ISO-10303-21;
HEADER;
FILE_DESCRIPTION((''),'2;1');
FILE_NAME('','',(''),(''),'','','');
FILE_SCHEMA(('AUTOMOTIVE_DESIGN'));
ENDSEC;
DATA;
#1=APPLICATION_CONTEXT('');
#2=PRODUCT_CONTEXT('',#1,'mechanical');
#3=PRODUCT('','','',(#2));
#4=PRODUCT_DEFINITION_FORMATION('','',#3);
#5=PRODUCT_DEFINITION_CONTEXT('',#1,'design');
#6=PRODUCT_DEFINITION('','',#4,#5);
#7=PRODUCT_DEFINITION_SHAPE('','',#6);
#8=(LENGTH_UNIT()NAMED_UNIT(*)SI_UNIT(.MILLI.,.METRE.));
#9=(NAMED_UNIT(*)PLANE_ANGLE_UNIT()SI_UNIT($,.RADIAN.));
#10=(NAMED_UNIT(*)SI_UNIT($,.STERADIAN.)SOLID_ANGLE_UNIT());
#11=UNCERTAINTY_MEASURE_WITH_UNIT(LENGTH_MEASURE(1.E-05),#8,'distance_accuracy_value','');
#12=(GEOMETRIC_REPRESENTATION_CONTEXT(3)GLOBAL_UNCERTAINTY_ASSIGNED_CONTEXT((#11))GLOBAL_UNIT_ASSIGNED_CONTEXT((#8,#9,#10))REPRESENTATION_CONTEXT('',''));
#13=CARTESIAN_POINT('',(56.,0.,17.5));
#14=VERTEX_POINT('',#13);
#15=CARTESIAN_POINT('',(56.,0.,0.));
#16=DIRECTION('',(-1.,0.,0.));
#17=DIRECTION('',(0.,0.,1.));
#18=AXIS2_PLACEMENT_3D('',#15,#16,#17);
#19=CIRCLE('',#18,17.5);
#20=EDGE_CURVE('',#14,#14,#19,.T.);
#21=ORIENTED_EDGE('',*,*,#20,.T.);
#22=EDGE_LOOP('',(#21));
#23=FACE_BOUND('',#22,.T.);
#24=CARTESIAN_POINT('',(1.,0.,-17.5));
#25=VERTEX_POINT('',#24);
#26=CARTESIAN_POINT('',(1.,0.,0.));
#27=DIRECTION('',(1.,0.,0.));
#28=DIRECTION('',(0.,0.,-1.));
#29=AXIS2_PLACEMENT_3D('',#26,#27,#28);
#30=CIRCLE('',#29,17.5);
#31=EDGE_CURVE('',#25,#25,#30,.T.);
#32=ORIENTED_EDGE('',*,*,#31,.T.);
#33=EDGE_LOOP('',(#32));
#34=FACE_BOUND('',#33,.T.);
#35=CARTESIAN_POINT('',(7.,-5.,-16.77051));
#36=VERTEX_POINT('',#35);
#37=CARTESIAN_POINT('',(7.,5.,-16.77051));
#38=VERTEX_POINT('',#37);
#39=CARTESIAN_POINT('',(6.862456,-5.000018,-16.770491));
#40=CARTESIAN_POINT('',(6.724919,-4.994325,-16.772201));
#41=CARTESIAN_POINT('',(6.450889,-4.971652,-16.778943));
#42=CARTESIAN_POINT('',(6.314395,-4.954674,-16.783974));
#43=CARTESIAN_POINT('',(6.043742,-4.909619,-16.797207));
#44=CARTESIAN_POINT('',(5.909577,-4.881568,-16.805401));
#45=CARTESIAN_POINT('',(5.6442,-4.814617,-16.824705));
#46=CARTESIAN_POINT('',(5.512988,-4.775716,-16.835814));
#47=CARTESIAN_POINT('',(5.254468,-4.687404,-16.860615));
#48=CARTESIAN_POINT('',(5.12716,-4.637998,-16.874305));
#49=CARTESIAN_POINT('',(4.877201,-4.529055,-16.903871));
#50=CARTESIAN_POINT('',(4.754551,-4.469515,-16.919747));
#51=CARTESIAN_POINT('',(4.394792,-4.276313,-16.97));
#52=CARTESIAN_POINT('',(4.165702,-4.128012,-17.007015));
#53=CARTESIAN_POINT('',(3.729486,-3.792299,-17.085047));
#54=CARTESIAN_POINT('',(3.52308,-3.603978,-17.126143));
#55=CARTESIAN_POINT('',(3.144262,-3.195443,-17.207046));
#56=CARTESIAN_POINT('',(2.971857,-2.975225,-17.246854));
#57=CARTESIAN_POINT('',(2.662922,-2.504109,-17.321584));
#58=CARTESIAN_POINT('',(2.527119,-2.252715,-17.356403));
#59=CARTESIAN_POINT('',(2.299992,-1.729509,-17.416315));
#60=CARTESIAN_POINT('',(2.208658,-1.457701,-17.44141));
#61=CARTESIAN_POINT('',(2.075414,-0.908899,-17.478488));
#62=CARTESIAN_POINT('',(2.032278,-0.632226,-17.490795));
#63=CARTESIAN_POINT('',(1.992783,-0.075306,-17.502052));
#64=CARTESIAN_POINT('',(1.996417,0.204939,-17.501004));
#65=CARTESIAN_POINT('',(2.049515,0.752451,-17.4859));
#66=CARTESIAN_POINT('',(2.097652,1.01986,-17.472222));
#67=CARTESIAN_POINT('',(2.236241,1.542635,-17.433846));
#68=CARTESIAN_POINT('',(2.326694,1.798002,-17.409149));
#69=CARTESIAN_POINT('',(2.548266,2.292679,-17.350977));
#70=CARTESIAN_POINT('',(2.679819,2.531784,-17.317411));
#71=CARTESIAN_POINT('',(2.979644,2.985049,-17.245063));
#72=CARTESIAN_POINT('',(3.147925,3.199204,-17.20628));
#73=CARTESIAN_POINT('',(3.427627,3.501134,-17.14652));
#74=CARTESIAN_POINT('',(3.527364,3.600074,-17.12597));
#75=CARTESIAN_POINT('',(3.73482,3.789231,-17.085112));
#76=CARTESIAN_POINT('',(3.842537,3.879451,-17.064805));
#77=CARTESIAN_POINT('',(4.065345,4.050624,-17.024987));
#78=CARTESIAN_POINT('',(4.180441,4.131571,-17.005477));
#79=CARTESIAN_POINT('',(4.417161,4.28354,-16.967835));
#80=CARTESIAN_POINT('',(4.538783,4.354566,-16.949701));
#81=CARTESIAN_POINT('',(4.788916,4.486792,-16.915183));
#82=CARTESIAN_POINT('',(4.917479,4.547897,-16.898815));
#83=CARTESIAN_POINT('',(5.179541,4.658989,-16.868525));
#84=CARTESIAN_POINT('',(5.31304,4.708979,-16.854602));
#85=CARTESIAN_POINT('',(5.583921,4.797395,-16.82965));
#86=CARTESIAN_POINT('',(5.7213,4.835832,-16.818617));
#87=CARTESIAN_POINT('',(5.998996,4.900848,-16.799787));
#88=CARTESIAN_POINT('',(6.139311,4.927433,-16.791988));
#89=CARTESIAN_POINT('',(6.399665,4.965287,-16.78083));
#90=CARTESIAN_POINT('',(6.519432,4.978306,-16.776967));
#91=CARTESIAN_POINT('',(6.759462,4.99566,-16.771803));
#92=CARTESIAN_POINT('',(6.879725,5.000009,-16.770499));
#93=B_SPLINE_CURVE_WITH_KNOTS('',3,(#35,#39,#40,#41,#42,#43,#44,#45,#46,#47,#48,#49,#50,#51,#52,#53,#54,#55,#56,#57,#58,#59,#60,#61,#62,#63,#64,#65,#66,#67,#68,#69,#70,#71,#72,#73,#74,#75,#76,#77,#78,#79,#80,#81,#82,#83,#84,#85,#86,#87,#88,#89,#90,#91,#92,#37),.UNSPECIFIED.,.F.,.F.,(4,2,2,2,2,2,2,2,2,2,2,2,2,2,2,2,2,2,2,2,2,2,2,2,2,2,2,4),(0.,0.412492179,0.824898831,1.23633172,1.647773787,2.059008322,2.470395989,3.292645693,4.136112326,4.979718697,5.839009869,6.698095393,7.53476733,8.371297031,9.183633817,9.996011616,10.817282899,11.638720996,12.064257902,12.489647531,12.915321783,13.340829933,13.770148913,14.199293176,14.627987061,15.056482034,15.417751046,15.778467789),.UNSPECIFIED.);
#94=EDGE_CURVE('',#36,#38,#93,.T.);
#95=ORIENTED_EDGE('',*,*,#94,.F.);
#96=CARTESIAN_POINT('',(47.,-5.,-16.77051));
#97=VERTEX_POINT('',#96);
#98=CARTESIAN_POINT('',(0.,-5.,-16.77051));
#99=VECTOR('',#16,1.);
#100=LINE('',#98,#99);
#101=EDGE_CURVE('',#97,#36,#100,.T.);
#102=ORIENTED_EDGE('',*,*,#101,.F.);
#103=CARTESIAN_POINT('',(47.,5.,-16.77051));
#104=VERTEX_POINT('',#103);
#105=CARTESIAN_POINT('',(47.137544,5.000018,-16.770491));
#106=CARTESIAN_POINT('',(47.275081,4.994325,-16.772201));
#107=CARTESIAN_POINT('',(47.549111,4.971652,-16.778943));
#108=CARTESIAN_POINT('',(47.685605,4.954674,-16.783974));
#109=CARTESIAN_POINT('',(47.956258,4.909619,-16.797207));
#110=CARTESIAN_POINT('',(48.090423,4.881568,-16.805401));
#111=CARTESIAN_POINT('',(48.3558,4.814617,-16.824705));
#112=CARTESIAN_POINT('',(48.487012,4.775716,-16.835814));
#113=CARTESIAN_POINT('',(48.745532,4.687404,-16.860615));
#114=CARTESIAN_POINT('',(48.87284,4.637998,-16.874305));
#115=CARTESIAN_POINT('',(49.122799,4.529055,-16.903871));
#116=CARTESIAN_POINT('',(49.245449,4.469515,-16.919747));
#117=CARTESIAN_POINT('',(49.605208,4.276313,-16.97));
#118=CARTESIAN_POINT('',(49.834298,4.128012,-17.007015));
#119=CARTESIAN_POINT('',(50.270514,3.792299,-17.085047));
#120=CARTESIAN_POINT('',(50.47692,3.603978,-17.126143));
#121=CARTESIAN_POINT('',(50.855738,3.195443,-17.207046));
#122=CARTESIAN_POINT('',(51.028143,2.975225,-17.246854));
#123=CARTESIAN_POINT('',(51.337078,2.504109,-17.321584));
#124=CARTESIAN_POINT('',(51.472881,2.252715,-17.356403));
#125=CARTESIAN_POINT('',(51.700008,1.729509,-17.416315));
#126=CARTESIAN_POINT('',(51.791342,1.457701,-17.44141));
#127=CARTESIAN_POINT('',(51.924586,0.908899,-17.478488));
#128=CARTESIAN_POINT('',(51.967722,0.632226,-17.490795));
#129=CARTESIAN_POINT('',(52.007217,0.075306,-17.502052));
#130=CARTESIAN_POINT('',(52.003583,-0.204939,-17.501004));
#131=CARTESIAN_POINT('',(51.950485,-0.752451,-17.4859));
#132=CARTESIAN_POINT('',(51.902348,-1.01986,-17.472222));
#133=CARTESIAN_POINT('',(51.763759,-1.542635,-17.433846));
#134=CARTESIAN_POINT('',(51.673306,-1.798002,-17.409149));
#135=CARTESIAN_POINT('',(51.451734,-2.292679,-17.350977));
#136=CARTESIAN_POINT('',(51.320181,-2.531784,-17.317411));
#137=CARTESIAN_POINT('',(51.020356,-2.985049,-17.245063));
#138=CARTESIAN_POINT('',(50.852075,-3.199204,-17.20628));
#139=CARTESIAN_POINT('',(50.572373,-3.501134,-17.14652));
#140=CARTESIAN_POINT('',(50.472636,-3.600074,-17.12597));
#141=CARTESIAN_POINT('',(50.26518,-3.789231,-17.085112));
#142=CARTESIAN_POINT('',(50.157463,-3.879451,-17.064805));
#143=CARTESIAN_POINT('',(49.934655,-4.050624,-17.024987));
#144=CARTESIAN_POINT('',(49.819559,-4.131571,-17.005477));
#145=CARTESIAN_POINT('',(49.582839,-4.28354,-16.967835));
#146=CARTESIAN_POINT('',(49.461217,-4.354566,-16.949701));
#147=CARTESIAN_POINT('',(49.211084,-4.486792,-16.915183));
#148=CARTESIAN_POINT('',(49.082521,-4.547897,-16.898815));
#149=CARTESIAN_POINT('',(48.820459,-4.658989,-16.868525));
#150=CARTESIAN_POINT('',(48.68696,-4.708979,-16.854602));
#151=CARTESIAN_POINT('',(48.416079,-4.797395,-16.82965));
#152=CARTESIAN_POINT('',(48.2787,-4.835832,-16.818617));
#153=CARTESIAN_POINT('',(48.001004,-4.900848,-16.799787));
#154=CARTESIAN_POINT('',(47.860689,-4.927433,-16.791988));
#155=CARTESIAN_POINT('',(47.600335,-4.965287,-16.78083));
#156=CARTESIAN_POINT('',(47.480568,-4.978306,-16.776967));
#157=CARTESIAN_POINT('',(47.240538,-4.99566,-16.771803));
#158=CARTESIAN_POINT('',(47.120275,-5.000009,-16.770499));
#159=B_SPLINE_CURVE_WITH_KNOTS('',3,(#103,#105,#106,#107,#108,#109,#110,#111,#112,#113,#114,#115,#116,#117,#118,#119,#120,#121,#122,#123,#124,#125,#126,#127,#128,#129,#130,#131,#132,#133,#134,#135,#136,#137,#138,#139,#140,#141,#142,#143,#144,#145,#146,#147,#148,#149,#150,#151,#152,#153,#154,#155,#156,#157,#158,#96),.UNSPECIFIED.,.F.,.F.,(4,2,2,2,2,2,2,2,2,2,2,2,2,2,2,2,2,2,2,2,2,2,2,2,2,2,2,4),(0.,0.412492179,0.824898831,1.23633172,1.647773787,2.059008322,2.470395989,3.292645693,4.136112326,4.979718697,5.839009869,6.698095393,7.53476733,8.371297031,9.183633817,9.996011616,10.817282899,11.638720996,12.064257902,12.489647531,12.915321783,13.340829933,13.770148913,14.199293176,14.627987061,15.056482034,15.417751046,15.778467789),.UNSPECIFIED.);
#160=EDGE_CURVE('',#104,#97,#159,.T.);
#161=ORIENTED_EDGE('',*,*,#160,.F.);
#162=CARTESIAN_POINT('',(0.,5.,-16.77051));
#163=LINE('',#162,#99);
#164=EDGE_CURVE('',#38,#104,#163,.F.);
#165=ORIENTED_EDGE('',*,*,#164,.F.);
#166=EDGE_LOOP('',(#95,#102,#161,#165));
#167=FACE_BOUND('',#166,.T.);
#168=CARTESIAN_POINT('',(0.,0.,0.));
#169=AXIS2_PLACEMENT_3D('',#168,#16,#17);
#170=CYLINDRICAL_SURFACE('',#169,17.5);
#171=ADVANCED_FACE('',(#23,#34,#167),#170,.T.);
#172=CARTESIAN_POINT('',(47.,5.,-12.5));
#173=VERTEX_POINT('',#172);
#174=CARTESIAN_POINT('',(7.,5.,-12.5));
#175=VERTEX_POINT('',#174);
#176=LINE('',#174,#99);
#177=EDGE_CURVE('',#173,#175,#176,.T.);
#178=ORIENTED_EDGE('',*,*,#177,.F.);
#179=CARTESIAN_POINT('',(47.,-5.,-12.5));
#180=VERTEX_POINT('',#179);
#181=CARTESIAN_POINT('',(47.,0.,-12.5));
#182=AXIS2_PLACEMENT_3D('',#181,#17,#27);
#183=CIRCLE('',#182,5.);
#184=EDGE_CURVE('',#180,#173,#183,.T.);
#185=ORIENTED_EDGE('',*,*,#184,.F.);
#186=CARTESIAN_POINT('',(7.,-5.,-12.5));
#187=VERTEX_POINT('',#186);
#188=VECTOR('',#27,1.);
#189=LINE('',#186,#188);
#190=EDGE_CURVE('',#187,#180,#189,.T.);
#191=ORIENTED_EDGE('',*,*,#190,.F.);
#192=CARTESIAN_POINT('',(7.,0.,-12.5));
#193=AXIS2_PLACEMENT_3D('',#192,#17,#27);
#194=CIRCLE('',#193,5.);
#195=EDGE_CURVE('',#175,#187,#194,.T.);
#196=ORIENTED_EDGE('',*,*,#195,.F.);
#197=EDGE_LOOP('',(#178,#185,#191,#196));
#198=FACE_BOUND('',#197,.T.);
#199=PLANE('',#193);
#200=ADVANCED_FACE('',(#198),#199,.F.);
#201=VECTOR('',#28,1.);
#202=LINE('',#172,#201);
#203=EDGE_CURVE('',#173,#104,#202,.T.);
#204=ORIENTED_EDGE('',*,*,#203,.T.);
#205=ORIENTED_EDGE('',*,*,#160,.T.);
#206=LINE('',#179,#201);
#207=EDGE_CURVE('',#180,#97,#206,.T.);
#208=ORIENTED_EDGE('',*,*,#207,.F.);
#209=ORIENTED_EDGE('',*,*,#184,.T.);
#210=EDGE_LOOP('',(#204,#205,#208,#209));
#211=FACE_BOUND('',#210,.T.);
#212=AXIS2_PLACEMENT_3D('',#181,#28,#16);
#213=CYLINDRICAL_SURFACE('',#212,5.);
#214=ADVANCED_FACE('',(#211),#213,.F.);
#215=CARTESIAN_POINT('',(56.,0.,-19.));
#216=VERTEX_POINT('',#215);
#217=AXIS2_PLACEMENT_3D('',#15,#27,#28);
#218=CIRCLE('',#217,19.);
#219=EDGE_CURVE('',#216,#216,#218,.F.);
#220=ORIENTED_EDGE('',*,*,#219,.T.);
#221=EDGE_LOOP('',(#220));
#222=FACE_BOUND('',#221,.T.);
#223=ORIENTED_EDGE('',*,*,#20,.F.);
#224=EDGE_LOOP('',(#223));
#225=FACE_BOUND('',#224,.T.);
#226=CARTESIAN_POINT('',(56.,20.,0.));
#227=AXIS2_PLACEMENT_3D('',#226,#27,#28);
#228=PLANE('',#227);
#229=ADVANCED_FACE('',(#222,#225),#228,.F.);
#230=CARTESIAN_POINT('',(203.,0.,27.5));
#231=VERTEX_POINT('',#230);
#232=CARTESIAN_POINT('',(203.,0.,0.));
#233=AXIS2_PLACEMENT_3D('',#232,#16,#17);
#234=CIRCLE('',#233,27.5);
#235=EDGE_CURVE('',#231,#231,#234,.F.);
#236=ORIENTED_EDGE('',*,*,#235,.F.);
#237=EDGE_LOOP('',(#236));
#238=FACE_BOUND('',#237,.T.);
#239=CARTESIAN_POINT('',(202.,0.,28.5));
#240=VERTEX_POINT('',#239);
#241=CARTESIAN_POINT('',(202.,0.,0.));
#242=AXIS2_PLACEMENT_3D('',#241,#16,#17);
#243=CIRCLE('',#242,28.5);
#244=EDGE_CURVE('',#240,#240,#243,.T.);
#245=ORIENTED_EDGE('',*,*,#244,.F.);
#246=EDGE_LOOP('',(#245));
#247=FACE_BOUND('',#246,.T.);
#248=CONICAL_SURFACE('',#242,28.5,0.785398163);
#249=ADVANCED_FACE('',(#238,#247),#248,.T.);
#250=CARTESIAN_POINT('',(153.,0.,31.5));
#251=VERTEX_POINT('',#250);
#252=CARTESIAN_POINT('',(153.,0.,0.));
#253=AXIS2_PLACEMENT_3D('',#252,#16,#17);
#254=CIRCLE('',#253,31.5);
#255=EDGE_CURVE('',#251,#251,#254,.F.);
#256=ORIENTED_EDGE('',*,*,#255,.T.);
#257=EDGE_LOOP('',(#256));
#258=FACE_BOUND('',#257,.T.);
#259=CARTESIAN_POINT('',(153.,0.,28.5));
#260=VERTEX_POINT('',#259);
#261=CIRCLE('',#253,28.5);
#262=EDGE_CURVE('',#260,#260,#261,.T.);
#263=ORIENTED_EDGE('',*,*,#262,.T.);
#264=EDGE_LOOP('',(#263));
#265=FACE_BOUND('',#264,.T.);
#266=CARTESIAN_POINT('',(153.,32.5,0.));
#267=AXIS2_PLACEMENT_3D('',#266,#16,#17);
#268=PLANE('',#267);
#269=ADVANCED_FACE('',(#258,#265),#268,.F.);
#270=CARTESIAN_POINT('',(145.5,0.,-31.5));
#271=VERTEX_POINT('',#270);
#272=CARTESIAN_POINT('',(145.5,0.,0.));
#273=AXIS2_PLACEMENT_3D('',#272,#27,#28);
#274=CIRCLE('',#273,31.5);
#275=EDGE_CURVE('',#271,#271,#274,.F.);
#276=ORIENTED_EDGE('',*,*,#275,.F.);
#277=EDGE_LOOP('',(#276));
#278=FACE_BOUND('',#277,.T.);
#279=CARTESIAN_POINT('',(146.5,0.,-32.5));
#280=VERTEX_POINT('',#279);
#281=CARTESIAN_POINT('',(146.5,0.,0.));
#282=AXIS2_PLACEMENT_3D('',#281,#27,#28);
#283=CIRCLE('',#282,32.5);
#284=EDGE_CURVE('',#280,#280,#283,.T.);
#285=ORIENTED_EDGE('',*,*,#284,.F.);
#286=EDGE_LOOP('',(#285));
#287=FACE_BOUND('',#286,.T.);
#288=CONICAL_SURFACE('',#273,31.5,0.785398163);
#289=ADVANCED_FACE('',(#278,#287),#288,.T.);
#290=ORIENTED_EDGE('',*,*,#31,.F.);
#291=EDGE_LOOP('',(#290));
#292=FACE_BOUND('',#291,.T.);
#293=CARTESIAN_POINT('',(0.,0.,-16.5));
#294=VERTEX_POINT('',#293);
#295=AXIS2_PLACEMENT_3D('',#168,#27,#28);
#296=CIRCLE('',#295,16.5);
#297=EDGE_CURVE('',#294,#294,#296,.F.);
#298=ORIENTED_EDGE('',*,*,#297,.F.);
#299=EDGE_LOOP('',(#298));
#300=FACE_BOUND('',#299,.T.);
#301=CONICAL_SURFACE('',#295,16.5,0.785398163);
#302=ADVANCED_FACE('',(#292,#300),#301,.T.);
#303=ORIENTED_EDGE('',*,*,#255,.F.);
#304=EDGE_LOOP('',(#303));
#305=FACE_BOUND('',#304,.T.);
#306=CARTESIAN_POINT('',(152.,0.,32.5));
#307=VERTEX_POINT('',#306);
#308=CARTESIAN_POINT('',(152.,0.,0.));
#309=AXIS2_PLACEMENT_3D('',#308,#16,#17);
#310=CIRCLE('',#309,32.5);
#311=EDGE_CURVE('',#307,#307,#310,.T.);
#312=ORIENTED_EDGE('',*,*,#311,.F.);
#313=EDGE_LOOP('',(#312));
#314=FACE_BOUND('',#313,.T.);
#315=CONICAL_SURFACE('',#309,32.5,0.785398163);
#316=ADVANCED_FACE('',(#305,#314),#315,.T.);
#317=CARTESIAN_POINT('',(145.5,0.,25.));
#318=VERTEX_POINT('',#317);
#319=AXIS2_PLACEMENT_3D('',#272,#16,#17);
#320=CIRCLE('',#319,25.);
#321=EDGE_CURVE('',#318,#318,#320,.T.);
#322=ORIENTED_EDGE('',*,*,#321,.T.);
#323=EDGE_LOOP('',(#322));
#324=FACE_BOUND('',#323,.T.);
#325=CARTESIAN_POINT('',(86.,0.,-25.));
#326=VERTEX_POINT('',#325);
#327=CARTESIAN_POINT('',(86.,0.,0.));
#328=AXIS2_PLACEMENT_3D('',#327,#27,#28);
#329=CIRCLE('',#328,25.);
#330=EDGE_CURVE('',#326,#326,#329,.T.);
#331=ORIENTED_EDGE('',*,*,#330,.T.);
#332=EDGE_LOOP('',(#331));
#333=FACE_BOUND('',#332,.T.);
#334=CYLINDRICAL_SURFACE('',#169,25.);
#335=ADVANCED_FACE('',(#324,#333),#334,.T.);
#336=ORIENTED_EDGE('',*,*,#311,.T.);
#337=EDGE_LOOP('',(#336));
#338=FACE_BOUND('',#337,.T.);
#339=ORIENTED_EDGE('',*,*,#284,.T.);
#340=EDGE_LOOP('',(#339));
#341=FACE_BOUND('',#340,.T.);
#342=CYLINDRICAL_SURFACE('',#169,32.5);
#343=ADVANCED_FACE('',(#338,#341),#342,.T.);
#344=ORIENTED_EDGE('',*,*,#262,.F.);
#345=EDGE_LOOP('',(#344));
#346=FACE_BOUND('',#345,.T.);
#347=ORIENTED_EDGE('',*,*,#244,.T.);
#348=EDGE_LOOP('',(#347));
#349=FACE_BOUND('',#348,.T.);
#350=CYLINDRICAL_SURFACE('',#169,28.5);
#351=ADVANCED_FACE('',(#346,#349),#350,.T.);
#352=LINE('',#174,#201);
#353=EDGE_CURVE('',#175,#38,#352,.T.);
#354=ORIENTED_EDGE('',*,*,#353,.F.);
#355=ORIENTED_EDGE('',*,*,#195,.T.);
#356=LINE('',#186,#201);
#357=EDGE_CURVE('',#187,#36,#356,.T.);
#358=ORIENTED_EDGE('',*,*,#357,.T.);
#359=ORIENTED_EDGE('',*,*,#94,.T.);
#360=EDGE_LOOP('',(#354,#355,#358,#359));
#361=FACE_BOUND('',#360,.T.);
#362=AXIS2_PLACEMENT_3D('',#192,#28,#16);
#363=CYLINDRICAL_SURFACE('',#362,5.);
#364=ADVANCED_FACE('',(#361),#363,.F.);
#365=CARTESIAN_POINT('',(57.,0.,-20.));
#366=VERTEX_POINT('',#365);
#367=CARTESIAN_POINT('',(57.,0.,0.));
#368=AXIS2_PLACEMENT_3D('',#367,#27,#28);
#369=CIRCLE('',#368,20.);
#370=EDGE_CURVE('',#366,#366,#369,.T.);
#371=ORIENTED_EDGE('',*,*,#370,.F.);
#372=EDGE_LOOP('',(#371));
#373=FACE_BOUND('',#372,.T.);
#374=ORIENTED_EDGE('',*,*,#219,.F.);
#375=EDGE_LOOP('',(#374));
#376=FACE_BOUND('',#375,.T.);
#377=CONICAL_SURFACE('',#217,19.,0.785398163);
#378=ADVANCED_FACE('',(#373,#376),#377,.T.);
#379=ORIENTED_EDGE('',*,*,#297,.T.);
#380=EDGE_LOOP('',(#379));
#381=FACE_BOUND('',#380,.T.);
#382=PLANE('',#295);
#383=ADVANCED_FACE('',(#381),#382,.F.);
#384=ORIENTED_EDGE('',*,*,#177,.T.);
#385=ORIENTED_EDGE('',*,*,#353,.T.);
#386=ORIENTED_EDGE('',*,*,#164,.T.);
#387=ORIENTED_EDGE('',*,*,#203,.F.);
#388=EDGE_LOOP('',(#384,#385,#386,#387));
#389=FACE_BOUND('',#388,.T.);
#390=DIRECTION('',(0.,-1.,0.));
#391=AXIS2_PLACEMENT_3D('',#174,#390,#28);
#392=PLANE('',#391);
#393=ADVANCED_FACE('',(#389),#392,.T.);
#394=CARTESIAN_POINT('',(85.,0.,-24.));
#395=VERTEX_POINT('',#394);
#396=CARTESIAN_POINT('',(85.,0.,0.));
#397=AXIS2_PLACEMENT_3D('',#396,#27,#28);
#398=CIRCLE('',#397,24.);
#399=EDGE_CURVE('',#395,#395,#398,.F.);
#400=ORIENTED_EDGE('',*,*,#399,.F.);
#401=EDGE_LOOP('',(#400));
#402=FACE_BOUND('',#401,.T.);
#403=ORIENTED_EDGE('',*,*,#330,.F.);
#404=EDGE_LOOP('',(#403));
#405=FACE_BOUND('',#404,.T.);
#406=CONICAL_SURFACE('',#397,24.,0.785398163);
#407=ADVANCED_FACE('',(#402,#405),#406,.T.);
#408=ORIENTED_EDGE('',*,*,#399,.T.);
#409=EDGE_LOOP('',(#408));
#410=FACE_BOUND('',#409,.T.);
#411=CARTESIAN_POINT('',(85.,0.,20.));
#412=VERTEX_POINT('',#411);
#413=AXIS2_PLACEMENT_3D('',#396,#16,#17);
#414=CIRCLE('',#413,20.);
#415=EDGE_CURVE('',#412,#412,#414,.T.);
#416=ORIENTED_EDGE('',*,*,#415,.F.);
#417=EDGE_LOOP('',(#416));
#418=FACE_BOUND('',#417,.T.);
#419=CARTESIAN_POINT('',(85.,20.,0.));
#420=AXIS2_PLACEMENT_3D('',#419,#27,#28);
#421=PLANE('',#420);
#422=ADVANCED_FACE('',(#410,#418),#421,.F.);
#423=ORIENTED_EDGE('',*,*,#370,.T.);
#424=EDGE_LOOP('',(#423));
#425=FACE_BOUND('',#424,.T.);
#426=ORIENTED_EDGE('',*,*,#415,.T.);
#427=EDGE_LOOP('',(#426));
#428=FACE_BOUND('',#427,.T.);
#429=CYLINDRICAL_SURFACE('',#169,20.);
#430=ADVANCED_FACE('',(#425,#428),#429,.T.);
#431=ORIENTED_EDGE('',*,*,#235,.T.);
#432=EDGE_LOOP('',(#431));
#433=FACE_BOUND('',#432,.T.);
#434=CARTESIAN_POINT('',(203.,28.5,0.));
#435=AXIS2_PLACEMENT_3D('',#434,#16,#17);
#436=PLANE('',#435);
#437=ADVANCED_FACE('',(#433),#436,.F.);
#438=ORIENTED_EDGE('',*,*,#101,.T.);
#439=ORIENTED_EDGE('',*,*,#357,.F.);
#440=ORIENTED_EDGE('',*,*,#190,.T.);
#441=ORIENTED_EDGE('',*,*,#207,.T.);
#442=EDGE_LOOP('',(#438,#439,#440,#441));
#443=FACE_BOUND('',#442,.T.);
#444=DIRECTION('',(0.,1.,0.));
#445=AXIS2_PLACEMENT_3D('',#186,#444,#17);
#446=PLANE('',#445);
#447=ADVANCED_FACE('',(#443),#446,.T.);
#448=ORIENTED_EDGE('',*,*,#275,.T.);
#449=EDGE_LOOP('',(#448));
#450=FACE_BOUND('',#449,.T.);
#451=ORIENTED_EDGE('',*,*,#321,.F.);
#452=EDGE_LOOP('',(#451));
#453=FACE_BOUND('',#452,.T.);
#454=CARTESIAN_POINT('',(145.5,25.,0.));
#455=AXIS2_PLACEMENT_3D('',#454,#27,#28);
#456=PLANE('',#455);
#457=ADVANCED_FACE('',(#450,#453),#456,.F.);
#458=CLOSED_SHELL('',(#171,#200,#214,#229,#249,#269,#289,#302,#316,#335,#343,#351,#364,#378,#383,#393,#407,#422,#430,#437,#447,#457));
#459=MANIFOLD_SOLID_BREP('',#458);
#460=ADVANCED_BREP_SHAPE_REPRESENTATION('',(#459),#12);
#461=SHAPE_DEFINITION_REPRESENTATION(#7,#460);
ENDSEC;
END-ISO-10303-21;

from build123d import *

# Parameters (mm, degrees)
CHAMFER_1_SIZE      = 1
CUT_EXTRUDE_START   = -17.5
CUT_EXTRUDE_1_DEPTH = 5


with BuildPart() as part:
    # Эскиз1 → Повернуть1 (revolve)
    with BuildSketch(Plane.XY, mode=Mode.PRIVATE) as revolve_1_sk:
        Polygon((0, 0), (0, 17.5), (56, 17.5), (56, 20), (85, 20), (85, 25), (145.5, 25), (145.5, 32.5), (153, 32.5), (153, 28.5), (203, 28.5), (203, 0), align=None)
    revolve(revolve_1_sk.sketch.rotate(Axis((0, 0, 0), (1, 0, 0)), 90), axis=Axis((0, 0, 0), (1, 0, 0)))

    # Фаска1
    chamfer_1_edges = [part.edges().sort_by_distance(p)[0] for p in [
        (153, 0, -32.5),
        (145.5, 0, -32.5),
        (85, 0, -25),
        (56, 0, -20),
        (0, 0, -17.5),
        (203, 0, -28.5),
    ]]
    chamfer(chamfer_1_edges, length=CHAMFER_1_SIZE)

    # Эскиз2 → Вырез-Вытянуть1 (cut)
    with BuildSketch(Plane.XY.offset(CUT_EXTRUDE_START)):
        with BuildLine():
            Line((7, 5), (47, 5))
            ThreePointArc((47, 5), (52, 0), (47, -5))
            Line((47, -5), (7, -5))
            ThreePointArc((7, -5), (2, 0), (7, 5))
        make_face()
    extrude(amount=CUT_EXTRUDE_1_DEPTH, mode=Mode.SUBTRACT)


solid = part.part
